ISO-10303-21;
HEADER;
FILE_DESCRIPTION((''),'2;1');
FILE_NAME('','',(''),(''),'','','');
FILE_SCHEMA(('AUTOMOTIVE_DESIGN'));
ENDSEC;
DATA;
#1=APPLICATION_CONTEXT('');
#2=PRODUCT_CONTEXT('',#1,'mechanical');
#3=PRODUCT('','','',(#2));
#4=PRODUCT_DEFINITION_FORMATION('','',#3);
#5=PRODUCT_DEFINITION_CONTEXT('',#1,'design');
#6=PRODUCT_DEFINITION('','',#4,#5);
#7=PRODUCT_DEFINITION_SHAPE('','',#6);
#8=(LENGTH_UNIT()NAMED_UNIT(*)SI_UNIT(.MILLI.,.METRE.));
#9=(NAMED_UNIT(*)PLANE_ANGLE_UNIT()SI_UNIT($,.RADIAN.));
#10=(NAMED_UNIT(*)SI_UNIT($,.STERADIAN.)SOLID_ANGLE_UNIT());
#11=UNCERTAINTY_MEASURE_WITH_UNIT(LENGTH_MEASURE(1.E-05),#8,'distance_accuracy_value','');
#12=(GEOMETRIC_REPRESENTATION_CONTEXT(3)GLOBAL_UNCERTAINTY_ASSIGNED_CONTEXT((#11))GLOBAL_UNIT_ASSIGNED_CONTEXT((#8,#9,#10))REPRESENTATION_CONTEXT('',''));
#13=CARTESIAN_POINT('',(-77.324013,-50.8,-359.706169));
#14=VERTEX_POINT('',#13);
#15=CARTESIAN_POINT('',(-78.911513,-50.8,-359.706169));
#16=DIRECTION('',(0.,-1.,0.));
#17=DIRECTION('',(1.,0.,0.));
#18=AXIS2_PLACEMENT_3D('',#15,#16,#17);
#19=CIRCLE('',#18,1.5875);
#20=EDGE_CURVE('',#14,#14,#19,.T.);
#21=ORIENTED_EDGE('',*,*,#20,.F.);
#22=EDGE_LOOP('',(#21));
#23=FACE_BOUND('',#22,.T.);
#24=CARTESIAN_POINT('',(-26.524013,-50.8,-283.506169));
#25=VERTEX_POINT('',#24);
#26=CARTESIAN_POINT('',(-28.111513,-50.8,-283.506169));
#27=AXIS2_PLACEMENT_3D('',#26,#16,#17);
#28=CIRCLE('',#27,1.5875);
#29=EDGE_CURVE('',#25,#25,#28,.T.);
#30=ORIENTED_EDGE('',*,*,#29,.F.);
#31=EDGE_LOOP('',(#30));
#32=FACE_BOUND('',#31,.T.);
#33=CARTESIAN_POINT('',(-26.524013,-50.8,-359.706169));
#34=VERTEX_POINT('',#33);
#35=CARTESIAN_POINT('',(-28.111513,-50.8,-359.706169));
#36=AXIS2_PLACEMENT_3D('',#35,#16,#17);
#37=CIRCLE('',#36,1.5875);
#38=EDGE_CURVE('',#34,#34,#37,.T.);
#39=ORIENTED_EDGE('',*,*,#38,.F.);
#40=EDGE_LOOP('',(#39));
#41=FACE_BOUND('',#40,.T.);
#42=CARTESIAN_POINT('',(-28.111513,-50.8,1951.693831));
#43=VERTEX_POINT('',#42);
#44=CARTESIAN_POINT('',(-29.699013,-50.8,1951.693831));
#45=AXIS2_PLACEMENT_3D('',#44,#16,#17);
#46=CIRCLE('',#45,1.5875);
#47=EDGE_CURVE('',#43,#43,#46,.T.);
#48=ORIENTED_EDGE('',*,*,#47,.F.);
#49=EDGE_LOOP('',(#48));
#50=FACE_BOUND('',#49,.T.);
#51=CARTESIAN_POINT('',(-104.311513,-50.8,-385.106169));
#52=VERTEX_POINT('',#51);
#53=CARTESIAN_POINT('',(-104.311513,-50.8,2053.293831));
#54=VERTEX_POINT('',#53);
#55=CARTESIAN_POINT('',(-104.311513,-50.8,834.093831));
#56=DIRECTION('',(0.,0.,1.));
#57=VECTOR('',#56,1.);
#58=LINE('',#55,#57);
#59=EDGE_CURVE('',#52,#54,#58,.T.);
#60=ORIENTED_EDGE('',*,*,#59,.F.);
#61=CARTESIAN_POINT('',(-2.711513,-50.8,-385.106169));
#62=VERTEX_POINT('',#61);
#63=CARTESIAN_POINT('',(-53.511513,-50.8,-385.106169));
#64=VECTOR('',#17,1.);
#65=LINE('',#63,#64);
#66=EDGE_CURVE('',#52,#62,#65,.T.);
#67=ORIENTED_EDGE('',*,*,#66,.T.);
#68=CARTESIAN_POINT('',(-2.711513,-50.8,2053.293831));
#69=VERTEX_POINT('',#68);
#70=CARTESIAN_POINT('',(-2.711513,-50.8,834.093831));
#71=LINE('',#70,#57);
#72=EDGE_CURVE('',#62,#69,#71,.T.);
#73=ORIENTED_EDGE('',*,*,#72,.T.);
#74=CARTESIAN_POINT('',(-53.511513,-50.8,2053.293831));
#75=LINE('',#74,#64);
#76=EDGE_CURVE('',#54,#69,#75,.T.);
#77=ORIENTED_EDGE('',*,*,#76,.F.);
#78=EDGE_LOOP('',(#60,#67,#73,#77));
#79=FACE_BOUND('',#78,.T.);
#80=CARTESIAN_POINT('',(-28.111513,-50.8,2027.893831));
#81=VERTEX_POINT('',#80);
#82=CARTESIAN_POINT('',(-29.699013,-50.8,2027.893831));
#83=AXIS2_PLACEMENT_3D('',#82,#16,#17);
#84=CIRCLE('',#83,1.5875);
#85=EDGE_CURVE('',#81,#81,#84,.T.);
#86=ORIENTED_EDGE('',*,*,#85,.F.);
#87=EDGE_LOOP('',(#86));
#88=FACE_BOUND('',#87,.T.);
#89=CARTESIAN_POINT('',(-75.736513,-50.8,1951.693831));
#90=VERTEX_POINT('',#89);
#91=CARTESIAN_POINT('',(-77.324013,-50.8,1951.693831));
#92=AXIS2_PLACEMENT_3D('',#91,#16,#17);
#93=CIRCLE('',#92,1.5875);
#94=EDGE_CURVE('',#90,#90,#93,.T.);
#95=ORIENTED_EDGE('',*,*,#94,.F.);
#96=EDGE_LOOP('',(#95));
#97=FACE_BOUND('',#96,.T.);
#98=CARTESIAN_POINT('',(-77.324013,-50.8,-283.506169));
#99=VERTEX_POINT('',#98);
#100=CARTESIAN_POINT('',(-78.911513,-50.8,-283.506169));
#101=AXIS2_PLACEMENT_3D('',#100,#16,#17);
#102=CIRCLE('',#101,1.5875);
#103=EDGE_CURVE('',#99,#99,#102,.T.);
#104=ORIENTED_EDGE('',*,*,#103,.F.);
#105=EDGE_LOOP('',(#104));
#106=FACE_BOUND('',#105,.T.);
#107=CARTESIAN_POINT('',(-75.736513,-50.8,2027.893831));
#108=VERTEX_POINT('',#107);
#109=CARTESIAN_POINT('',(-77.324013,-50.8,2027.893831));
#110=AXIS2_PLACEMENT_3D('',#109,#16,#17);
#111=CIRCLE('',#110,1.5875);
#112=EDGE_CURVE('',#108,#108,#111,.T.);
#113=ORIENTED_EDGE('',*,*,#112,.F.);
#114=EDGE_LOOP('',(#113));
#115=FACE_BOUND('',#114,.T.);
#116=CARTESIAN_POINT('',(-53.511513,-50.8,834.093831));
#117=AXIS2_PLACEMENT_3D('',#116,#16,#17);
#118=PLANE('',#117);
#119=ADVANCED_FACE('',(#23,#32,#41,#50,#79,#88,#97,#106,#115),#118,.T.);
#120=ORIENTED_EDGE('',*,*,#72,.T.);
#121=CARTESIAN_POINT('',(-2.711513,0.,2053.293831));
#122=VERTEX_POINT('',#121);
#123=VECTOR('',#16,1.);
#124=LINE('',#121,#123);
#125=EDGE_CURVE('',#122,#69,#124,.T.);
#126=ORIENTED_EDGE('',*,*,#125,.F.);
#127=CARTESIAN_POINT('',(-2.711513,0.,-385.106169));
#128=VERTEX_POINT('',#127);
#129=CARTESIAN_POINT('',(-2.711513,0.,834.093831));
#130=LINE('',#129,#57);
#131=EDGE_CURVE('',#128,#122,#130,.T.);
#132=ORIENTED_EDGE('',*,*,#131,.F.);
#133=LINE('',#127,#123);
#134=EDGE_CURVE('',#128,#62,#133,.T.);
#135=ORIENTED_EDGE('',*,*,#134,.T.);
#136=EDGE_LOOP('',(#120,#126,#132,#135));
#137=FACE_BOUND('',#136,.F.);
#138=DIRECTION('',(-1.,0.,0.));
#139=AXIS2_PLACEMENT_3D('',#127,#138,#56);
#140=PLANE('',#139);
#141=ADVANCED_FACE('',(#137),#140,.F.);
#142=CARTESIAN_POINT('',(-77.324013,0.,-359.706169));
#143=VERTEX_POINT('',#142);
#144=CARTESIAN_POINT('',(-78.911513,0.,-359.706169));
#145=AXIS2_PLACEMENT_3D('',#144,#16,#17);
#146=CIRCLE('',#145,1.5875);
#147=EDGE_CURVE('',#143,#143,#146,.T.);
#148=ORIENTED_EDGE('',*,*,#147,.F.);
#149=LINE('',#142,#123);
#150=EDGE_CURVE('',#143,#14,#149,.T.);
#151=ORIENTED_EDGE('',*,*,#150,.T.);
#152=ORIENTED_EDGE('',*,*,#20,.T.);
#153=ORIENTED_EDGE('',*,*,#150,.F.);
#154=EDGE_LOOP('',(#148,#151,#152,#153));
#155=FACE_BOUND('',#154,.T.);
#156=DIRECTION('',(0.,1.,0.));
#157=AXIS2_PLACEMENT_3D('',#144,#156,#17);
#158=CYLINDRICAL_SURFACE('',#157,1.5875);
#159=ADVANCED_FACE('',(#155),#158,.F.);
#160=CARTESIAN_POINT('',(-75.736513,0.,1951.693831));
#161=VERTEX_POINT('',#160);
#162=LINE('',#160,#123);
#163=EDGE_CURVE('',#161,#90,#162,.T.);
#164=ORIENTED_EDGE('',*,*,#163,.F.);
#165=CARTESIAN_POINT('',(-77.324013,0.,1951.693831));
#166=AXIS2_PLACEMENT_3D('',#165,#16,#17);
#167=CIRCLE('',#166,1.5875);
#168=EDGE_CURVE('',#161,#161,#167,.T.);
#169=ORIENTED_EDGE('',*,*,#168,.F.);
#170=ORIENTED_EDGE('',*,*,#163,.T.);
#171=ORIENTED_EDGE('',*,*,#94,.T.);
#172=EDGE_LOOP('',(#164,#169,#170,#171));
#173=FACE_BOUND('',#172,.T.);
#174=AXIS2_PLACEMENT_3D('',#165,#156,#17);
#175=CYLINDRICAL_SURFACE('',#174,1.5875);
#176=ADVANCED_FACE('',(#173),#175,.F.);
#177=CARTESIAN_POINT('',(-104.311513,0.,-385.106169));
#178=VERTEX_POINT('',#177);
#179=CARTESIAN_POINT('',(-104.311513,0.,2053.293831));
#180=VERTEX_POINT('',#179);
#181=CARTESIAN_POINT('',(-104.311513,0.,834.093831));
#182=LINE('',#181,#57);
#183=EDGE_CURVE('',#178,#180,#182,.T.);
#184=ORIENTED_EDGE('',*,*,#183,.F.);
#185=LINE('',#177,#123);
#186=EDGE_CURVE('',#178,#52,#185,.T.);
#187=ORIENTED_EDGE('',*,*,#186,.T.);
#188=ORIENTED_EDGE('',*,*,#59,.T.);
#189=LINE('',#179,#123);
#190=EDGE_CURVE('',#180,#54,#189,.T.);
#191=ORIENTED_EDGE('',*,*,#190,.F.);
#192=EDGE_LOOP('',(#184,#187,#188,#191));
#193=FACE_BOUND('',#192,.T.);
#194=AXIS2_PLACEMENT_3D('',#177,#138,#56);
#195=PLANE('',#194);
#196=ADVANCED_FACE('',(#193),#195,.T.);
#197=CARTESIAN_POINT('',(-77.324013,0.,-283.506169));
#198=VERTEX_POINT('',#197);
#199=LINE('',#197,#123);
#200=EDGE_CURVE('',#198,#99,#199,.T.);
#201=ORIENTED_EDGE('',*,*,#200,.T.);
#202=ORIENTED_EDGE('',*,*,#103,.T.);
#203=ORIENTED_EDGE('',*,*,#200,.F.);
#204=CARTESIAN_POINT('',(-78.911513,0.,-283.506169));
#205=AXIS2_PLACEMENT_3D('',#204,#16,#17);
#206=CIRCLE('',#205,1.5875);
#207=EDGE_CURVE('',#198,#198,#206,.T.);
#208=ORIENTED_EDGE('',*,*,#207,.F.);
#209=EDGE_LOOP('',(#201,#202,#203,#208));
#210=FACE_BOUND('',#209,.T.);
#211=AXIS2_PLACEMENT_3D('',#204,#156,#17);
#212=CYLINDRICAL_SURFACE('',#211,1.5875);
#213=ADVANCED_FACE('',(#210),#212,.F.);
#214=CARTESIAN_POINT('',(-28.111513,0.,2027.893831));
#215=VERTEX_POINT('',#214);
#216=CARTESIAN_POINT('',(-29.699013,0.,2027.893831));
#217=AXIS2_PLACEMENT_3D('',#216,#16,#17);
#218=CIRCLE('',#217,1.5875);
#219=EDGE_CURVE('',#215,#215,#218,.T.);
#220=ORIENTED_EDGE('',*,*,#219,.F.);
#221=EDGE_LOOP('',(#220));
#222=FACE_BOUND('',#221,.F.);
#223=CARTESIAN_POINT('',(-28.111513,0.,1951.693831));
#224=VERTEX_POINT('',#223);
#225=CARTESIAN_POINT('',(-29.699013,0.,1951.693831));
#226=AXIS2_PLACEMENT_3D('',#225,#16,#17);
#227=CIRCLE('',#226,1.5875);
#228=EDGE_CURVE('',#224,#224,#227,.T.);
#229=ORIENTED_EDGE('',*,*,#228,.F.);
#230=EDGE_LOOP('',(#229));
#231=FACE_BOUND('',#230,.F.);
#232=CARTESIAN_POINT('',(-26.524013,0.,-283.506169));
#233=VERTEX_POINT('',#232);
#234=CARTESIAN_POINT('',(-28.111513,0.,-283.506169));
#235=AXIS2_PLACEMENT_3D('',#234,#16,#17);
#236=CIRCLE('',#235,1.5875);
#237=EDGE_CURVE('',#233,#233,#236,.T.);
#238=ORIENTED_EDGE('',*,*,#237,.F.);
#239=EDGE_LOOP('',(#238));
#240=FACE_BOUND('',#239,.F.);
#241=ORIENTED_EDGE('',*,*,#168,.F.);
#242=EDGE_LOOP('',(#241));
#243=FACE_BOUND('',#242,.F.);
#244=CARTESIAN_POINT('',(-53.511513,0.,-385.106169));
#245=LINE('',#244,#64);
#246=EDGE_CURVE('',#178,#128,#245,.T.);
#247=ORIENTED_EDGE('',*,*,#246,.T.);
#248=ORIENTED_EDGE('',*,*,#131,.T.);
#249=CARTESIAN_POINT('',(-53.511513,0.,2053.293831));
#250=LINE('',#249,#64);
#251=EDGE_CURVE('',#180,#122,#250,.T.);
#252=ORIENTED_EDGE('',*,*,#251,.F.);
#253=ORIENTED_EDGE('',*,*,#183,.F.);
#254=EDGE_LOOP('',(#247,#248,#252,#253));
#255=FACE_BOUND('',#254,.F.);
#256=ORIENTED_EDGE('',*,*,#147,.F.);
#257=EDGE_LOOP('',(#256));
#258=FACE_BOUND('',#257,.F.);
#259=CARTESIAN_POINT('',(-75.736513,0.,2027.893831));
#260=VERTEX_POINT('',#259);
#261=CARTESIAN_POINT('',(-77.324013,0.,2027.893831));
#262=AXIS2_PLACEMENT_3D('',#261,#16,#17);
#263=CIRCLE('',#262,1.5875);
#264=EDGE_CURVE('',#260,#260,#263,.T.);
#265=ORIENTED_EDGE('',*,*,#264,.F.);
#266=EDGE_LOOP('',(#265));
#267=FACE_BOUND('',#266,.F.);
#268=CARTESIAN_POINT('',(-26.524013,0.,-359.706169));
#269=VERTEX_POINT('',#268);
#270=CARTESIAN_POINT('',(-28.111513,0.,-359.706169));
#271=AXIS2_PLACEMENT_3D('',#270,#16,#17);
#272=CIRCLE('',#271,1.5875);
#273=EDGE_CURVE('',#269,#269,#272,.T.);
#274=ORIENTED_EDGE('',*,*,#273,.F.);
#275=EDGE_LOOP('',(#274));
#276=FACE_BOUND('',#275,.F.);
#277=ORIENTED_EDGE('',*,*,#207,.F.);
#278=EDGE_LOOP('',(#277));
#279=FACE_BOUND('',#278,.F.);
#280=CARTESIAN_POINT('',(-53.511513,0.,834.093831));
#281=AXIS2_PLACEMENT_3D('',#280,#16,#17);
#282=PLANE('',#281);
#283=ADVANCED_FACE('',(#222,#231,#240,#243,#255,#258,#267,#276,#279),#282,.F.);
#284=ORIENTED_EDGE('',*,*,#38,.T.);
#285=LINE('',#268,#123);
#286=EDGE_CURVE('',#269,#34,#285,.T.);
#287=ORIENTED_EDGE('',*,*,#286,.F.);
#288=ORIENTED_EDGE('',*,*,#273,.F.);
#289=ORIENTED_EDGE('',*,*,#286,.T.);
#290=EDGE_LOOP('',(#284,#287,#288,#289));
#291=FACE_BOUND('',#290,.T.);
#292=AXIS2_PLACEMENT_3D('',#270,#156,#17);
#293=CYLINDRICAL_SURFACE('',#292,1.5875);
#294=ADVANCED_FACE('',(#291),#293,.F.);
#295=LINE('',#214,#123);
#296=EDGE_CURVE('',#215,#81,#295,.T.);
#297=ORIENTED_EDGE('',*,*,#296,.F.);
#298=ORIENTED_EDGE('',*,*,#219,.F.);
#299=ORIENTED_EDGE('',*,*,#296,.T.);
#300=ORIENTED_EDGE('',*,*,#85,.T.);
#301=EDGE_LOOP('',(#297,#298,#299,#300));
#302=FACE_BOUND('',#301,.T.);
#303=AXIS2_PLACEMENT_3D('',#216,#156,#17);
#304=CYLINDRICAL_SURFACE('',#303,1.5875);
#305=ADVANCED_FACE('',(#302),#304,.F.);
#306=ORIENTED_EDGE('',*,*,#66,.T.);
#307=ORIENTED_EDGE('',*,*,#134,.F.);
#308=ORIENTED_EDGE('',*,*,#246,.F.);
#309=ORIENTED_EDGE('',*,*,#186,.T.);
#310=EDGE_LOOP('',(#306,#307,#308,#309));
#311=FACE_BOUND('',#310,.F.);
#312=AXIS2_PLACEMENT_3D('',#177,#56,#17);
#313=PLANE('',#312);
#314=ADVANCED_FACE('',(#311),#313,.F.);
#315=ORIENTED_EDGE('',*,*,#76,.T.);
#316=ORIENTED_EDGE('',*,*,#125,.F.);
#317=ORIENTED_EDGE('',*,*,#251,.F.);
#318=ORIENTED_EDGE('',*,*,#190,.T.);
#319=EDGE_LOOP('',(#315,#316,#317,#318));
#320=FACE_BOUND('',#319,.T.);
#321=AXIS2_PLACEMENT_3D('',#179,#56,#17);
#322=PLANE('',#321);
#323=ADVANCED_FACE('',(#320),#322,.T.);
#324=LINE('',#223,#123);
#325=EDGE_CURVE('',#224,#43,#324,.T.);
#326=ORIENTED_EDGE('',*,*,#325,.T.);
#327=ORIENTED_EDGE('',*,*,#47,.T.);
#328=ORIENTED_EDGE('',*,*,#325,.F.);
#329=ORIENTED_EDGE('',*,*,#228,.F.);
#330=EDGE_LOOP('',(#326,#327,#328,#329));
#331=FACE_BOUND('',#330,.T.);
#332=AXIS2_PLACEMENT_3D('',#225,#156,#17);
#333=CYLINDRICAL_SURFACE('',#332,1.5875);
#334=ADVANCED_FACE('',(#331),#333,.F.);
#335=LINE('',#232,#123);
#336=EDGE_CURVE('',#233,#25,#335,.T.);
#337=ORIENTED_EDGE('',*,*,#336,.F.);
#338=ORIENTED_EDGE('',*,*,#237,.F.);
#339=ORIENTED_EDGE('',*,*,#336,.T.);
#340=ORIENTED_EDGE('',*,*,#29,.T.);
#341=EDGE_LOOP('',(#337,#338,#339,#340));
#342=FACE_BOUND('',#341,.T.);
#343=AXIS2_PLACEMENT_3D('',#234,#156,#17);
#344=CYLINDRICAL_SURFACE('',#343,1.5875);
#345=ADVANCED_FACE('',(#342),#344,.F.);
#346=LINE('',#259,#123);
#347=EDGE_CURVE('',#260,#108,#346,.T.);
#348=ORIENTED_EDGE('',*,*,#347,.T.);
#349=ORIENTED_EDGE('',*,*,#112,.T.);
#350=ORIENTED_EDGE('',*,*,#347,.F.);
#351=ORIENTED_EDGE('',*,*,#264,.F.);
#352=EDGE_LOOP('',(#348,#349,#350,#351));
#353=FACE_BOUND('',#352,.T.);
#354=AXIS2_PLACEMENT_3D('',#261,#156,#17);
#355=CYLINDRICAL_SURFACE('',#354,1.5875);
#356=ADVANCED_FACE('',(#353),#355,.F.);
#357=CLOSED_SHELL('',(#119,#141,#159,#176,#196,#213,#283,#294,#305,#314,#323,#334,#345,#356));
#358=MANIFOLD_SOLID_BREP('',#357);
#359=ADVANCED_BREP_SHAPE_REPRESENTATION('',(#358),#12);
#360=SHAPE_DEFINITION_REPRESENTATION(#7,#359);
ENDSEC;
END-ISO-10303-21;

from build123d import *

# Parameters (mm, degrees)
F0_W     = 101.6
F0_H     = 2438.4
F0_R     = 1.5875
F1_DEPTH = 50.8


with BuildPart() as f1:
    # F0 (on Front) → F1 (new body)
    with BuildSketch(Plane.XZ):
        with Locations((-53.511513, 834.093831)):
            Rectangle(F0_W, F0_H)
        with Locations((-78.911513, -359.706169)):
            Circle(F0_R, mode=Mode.SUBTRACT)
        with Locations((-78.911513, -283.506169)):
            Circle(F0_R, mode=Mode.SUBTRACT)
        with Locations((-28.111513, -359.706169)):
            Circle(F0_R, mode=Mode.SUBTRACT)
        with Locations((-28.111513, -283.506169)):
            Circle(F0_R, mode=Mode.SUBTRACT)
        with Locations((-77.324013, 1951.693831)):
            Circle(F0_R, mode=Mode.SUBTRACT)
        with Locations((-77.324013, 2027.893831)):
            Circle(F0_R, mode=Mode.SUBTRACT)
        with Locations((-29.699013, 1951.693831)):
            Circle(F0_R, mode=Mode.SUBTRACT)
        with Locations((-29.699013, 2027.893831)):
            Circle(F0_R, mode=Mode.SUBTRACT)
    extrude(amount=F1_DEPTH)


solid = f1.part
